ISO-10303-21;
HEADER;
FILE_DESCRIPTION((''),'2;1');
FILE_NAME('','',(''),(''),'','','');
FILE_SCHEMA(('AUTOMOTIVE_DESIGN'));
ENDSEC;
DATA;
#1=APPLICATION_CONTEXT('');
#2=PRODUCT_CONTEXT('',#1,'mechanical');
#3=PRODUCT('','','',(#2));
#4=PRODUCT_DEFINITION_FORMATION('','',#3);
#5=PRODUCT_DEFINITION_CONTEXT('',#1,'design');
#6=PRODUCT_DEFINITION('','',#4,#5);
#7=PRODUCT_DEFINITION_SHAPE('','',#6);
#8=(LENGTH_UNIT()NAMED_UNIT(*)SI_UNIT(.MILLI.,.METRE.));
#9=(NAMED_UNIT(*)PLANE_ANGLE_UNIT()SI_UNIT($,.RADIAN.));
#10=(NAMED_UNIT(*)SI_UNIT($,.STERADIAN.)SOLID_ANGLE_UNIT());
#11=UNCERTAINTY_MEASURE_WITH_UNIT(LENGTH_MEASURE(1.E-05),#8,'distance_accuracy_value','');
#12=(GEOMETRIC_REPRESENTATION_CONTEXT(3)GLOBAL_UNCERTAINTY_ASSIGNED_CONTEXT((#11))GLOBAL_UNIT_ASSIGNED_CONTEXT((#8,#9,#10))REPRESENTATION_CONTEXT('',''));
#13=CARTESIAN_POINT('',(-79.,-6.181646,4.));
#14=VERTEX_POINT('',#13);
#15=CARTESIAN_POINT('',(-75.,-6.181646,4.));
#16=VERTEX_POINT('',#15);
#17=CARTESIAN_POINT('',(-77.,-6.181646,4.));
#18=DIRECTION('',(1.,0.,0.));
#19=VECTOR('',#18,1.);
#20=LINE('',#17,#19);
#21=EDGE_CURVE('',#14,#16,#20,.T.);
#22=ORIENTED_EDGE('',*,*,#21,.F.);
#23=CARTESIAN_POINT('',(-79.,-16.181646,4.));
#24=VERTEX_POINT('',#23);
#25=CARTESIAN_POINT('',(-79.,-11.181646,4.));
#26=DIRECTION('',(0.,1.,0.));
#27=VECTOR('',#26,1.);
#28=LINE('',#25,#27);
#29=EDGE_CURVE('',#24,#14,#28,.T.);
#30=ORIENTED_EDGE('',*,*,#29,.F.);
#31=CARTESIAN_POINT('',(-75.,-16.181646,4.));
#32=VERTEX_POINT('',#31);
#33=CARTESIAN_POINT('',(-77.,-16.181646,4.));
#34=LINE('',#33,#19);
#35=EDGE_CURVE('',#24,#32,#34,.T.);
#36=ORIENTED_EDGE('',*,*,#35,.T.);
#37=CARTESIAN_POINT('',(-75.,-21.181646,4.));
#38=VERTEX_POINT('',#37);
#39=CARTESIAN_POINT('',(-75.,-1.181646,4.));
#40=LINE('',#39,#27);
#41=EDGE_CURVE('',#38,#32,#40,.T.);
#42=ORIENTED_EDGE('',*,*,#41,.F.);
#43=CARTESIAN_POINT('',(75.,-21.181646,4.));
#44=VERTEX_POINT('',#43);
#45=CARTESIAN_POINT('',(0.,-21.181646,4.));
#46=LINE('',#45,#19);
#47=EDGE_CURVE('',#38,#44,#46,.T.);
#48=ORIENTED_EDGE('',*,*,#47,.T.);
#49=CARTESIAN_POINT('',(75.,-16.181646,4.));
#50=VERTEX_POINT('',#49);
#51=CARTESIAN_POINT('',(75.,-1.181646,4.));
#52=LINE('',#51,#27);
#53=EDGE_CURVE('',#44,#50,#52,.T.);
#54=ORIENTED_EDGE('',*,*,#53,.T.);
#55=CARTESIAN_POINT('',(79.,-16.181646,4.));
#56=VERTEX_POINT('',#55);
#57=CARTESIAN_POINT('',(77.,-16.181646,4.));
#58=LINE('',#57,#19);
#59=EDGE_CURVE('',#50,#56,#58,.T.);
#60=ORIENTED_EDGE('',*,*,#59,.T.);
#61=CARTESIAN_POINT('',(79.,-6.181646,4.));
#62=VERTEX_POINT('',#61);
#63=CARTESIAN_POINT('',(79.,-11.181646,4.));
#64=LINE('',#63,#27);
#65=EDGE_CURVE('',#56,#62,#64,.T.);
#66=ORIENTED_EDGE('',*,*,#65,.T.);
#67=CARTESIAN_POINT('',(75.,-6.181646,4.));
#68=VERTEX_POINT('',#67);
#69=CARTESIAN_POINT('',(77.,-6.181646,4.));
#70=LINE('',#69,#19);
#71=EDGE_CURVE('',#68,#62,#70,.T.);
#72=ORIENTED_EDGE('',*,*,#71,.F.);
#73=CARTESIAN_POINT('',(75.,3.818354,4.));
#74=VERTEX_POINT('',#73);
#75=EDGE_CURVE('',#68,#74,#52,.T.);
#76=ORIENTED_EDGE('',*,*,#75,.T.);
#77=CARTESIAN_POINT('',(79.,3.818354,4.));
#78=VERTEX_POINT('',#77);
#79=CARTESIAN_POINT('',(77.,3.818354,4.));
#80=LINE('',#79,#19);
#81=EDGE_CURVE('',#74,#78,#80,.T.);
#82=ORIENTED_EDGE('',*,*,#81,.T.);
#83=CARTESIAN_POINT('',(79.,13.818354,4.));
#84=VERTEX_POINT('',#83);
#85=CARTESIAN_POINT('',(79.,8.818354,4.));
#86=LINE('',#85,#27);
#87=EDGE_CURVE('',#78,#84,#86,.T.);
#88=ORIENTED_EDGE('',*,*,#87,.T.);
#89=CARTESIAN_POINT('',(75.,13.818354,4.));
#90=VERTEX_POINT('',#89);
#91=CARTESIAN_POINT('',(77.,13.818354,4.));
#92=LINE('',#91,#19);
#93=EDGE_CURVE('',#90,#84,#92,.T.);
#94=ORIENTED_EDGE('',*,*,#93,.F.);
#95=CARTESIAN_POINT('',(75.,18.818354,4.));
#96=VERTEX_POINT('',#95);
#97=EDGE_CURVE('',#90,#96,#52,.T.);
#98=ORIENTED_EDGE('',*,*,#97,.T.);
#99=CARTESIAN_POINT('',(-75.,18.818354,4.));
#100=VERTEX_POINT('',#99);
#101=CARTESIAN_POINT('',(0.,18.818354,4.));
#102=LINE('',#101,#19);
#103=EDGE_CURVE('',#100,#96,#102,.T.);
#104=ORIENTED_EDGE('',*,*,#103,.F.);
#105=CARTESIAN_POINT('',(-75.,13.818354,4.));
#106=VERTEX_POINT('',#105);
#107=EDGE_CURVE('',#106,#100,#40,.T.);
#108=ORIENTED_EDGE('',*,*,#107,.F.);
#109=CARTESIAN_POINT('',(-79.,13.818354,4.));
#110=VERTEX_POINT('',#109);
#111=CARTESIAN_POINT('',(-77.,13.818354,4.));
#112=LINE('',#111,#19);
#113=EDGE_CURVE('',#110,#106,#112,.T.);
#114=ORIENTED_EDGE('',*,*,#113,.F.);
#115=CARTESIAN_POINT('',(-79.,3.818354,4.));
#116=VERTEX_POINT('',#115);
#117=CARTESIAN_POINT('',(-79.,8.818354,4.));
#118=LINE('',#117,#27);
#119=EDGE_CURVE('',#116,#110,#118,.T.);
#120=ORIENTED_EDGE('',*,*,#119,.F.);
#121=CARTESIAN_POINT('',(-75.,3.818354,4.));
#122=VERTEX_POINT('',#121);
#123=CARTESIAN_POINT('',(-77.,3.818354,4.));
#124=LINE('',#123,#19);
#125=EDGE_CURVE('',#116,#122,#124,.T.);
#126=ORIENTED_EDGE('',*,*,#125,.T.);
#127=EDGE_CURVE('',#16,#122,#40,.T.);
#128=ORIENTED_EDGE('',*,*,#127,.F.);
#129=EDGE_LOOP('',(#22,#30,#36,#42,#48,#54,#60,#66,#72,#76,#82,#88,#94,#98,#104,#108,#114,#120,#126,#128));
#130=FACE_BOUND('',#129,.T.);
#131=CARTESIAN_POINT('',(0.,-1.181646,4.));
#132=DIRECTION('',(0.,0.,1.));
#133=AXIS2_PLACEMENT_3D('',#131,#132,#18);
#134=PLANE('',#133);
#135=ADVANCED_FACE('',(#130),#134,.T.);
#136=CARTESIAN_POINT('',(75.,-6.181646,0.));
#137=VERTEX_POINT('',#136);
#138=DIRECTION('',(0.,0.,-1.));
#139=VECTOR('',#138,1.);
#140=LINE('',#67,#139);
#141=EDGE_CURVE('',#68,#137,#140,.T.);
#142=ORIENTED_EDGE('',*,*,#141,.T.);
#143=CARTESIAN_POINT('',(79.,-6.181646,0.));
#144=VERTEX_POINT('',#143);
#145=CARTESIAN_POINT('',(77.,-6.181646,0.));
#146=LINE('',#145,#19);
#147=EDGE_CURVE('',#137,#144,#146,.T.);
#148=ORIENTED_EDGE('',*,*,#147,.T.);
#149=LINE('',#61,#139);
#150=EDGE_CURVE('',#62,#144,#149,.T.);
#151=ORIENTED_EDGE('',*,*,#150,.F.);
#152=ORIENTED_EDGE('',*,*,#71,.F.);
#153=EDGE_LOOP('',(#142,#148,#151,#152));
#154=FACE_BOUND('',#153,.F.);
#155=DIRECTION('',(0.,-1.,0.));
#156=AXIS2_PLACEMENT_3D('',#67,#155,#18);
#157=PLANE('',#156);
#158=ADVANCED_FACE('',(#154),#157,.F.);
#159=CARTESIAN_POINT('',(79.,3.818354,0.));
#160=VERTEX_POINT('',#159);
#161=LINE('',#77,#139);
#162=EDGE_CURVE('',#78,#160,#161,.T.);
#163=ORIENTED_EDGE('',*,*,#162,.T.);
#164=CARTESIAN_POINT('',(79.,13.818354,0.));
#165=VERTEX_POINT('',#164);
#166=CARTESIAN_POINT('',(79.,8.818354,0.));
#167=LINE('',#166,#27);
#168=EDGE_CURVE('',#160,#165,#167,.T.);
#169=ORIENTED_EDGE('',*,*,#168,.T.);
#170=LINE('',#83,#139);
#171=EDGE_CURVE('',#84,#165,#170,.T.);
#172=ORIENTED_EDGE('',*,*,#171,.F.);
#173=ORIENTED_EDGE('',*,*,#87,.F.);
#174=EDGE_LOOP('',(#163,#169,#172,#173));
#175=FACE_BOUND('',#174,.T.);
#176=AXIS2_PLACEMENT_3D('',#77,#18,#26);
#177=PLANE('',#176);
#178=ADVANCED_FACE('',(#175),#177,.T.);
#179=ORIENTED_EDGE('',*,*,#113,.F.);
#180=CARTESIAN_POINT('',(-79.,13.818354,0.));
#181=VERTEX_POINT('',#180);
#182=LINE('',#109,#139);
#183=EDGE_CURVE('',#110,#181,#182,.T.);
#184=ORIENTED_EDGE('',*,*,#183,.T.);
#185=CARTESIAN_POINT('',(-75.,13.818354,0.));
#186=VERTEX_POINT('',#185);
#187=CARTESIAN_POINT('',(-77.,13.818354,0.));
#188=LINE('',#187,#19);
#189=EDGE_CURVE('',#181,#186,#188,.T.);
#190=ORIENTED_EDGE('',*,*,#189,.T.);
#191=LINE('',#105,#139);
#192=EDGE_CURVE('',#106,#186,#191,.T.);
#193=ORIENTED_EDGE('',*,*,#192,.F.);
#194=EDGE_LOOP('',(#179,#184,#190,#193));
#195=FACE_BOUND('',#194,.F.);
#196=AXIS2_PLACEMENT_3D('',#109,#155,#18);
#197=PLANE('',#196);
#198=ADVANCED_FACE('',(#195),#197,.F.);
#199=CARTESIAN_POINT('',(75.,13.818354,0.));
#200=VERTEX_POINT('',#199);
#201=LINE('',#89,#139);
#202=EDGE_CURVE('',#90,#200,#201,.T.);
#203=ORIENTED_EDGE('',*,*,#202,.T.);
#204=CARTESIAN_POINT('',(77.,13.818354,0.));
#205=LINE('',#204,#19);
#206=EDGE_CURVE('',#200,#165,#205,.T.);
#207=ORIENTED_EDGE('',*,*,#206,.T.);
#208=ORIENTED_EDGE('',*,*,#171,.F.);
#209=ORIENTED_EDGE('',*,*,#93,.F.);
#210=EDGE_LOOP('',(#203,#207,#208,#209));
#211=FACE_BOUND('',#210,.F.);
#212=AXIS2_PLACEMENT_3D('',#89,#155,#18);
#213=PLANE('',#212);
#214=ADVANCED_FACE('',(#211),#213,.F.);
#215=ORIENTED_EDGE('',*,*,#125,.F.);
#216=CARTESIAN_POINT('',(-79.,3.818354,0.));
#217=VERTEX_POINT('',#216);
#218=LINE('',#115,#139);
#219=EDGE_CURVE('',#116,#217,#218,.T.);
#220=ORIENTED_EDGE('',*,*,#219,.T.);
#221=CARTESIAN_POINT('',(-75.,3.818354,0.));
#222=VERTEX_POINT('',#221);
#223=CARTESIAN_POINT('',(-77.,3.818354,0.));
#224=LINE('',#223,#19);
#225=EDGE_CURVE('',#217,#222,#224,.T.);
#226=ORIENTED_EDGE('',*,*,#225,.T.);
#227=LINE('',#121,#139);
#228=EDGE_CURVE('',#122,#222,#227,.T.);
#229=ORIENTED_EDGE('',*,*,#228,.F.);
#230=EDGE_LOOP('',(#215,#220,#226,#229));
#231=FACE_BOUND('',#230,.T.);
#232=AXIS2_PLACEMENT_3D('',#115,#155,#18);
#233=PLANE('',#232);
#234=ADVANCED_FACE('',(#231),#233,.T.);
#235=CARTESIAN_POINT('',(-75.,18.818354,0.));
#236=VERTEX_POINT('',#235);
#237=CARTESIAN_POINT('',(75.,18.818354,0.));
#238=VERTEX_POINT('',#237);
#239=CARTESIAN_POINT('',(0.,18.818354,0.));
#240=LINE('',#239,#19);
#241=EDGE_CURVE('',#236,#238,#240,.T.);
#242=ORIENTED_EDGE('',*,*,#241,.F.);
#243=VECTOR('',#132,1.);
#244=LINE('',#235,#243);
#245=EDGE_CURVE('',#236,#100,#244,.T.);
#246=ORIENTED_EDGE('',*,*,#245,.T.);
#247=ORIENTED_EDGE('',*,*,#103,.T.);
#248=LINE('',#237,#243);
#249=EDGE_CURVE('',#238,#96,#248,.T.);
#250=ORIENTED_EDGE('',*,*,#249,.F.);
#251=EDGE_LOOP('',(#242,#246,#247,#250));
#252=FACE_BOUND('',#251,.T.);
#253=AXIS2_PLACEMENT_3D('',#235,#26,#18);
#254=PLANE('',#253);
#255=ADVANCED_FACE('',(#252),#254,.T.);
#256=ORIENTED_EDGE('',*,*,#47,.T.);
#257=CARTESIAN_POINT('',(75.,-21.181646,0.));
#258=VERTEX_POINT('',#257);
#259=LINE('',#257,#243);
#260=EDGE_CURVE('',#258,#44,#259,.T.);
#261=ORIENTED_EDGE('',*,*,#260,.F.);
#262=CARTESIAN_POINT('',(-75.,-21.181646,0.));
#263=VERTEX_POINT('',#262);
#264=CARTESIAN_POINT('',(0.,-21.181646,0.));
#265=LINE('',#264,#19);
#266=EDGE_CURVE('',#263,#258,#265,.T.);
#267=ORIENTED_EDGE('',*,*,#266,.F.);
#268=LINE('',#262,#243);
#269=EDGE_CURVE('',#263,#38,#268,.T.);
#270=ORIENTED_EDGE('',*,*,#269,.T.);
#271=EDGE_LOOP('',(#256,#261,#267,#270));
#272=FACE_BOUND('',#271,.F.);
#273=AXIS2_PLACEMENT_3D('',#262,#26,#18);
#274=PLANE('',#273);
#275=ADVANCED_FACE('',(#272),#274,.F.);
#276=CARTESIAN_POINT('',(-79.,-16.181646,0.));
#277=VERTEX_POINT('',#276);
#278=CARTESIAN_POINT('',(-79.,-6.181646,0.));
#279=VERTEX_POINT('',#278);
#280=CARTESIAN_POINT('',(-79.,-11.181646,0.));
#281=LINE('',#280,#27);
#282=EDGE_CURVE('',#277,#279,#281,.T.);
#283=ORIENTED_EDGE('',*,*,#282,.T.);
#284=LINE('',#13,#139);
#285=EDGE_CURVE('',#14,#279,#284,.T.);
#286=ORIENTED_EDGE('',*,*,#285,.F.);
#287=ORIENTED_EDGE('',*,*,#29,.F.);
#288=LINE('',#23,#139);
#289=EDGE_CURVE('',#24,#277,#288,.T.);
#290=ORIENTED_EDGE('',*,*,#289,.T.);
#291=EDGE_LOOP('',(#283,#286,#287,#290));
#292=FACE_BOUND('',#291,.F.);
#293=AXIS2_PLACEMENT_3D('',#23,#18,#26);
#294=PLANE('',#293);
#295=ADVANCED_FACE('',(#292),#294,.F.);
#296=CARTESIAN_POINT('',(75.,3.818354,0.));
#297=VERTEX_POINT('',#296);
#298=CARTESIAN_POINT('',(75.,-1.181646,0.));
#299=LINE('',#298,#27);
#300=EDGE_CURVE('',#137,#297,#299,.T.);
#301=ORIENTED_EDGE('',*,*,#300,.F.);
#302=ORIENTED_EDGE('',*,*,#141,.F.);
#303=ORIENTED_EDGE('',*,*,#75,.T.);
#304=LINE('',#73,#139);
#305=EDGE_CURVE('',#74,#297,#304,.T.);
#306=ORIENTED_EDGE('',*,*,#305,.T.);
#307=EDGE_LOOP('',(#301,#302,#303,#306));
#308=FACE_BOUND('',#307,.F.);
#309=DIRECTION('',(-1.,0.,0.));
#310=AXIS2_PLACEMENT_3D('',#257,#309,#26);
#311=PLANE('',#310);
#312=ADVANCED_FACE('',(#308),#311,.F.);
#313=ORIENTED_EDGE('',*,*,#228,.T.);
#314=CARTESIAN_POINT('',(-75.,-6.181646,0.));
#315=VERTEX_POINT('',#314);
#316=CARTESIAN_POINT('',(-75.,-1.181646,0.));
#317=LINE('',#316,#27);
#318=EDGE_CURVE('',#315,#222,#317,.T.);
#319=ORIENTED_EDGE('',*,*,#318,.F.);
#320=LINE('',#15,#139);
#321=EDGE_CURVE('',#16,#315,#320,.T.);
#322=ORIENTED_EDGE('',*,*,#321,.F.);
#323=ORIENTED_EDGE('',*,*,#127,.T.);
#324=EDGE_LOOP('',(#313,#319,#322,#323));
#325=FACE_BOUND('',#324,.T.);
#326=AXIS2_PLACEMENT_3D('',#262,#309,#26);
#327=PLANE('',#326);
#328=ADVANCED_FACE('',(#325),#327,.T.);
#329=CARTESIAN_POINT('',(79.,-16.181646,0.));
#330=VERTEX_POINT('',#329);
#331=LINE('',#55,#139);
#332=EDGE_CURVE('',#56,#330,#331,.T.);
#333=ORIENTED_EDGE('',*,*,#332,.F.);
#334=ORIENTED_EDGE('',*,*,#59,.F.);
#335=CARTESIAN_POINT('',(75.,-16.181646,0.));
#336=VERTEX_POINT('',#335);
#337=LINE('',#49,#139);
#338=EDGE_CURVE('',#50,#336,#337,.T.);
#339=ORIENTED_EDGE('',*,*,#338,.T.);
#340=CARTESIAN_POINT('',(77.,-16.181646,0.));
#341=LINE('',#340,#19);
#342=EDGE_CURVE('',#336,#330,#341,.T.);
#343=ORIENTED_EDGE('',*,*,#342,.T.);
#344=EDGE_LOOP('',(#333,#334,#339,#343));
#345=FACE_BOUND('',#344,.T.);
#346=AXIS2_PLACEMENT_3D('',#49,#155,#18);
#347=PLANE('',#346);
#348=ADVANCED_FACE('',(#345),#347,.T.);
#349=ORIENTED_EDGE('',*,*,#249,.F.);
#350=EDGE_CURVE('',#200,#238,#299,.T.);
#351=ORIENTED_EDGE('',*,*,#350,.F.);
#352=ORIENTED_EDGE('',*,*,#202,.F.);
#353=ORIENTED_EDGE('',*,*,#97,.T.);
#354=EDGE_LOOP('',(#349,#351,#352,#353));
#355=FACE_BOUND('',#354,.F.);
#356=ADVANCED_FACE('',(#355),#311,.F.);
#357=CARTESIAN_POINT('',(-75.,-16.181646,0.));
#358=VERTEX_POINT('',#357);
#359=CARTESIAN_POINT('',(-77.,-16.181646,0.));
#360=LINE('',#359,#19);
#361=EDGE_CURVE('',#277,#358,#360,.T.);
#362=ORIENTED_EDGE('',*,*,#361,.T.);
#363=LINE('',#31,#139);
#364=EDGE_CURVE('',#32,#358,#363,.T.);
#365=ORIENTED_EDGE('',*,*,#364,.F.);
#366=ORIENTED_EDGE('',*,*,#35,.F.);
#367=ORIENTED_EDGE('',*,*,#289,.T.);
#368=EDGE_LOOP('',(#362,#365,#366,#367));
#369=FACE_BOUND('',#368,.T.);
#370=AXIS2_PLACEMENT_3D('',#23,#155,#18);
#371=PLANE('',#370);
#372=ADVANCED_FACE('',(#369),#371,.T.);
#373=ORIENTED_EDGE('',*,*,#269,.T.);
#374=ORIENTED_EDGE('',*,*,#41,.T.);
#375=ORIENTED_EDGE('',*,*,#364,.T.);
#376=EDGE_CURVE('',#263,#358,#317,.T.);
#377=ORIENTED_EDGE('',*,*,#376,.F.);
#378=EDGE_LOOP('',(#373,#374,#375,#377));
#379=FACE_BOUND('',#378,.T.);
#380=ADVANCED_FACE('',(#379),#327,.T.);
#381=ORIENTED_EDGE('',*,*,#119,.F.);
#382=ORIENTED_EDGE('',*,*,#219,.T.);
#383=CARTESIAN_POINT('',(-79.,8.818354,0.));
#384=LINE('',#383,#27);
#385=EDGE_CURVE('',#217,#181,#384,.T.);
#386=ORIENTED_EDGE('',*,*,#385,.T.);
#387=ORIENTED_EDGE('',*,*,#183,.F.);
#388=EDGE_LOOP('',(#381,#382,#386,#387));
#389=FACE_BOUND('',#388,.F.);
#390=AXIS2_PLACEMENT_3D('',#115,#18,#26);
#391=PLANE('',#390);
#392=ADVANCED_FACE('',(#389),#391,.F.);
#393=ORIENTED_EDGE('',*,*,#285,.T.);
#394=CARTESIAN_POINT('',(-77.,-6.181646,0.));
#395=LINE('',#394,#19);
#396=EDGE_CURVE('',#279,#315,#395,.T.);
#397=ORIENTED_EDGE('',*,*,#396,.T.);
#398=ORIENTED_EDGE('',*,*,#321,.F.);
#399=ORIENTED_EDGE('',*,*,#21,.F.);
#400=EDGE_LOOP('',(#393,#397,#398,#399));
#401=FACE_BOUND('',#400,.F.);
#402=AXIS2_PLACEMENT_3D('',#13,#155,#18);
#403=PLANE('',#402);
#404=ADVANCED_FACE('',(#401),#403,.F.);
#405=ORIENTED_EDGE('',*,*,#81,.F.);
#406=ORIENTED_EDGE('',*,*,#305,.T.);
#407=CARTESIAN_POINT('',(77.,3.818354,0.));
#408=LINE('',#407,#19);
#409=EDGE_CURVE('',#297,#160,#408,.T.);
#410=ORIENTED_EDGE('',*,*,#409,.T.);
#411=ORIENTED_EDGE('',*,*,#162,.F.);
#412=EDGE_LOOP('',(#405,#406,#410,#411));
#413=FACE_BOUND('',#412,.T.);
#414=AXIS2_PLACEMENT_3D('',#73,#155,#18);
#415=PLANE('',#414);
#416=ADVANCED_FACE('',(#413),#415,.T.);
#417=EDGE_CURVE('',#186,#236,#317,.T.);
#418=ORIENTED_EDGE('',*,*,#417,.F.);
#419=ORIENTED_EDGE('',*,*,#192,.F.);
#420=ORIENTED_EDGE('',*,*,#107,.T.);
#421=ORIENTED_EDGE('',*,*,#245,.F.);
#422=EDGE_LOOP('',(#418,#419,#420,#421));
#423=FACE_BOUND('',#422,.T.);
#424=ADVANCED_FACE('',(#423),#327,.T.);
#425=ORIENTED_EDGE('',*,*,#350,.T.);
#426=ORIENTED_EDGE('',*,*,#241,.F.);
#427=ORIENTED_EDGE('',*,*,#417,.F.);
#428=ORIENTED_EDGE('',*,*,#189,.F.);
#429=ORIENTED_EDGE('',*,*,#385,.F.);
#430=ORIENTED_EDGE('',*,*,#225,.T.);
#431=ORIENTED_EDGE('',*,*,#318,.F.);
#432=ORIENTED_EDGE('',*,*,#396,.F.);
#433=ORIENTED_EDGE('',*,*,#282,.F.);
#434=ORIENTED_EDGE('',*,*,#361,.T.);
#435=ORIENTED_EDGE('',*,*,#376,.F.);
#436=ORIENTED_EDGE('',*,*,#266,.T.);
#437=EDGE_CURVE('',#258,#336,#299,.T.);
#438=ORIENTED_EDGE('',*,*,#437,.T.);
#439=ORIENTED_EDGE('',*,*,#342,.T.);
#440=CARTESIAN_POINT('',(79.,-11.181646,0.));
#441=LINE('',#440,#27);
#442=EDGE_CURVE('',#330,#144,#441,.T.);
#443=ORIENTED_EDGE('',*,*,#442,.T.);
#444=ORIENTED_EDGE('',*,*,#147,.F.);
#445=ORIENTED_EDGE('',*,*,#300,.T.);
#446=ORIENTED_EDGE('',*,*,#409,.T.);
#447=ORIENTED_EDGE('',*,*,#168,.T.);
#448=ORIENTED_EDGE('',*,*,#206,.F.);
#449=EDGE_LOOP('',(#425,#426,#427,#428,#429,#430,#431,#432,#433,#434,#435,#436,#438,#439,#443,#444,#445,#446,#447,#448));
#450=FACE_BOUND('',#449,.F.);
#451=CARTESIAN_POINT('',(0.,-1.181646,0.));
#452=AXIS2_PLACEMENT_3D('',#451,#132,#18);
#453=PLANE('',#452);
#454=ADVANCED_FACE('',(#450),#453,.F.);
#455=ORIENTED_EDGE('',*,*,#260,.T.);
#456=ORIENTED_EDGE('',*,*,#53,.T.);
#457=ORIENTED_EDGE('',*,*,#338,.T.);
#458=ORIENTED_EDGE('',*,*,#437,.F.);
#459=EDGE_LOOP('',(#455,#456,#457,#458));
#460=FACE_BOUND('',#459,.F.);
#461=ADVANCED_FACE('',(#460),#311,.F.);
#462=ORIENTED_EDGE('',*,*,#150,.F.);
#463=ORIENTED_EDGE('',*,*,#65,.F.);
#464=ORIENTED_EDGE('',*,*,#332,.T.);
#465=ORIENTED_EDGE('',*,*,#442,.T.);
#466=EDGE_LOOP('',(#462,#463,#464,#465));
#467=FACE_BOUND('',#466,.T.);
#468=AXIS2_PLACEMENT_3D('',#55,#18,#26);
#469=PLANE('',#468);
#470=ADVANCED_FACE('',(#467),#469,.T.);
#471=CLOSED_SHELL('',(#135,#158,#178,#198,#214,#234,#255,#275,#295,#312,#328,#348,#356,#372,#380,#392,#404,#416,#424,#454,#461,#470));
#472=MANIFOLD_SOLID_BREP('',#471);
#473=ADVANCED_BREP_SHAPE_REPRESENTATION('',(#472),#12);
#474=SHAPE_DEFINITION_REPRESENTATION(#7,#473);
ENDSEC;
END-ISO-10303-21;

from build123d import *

# Parameters (mm, degrees)
F0_W     = 150
F0_H     = 40
F1_DEPTH = 4
F2_W     = 4
F2_H     = 10
F3_DEPTH = 4


with BuildPart() as f1:
    # F0 (on Top) → F1 (new body)
    with BuildSketch(Plane.XY):
        with Locations((0, -1.181646)):
            Rectangle(F0_W, F0_H)
    extrude(amount=F1_DEPTH)

    # F2 (on face) → F3 (join)
    with BuildSketch(Plane.XY.offset(4)):
        with Locations((-77, 8.818354)):
            Rectangle(F2_W, F2_H)
        with Locations((-77, -11.181646)):
            Rectangle(F2_W, F2_H)
        with Locations((77, 8.818354)):
            Rectangle(F2_W, F2_H)
        with Locations((77, -11.181646)):
            Rectangle(F2_W, F2_H)
    extrude(amount=-F3_DEPTH)


solid = f1.part
